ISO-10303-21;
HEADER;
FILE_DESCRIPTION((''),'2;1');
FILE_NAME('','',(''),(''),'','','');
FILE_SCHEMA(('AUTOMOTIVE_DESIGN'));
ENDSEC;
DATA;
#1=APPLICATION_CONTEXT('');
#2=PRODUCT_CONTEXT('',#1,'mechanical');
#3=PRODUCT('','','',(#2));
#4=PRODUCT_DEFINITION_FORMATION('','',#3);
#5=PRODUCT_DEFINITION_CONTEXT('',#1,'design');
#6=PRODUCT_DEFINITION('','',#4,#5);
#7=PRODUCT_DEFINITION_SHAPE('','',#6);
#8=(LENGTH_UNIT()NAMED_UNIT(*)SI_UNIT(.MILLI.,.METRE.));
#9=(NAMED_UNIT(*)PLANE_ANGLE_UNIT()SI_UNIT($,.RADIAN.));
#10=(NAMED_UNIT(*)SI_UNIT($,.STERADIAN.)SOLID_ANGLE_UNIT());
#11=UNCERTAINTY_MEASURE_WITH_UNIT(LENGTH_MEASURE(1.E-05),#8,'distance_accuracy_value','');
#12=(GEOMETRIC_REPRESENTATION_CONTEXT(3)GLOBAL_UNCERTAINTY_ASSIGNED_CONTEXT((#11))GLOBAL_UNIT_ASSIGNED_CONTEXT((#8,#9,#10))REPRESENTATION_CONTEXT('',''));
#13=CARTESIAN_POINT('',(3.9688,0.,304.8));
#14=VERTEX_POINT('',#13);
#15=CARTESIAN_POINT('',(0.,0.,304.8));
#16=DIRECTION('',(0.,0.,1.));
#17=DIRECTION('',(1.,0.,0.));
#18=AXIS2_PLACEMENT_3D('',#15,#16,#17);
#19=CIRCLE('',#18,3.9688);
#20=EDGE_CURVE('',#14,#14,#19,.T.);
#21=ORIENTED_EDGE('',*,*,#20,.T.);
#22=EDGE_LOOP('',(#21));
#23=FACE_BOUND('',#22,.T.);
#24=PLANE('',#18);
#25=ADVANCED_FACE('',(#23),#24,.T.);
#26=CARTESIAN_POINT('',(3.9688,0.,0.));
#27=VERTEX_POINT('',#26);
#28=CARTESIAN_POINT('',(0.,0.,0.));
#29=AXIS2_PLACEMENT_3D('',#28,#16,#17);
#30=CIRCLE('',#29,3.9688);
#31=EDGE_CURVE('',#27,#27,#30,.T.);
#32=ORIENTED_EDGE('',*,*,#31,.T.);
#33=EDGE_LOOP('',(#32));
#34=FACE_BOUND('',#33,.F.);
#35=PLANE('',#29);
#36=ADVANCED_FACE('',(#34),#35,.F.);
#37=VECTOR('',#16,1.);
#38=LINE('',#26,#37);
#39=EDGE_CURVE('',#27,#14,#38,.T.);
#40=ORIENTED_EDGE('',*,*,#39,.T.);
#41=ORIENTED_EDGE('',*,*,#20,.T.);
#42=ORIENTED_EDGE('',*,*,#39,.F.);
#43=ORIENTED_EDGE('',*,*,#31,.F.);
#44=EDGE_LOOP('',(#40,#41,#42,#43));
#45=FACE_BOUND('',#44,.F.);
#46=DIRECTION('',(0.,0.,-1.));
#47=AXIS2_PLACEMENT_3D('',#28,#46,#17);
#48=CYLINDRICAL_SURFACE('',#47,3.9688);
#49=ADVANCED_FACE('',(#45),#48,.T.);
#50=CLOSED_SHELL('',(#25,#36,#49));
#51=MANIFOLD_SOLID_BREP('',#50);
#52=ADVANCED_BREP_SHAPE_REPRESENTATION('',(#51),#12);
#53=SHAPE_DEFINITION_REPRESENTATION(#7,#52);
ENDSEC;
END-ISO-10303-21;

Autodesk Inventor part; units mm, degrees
ref_plane "YZ Plane" through (0, 0, 0) normal (1, 0, 0) x (0, 1, 0)
ref_plane "XZ Plane" through (0, 0, 0) normal (0, 1, 0) x (-1, 0, 0)
ref_plane "XY Plane" through (0, 0, 0) normal (0, 0, 1) x (1, 0, 0)
sketch "Sketch1" plane through (0, 0, 0) normal (0, 0, 1) x (1, 0, 0)
  circle A0 centre (0, 0) radius 3.9688
  dimension "d0" = 7.9375
extrude "Extrusion1" add sketch "Sketch1" along normal blind 304.8
thread "Thread1" size "5/16-18 UNC" class "2A" standard "ANSI Unified Screw Threads" full length
properties part number "98848A011" material "Stainless Steel"
